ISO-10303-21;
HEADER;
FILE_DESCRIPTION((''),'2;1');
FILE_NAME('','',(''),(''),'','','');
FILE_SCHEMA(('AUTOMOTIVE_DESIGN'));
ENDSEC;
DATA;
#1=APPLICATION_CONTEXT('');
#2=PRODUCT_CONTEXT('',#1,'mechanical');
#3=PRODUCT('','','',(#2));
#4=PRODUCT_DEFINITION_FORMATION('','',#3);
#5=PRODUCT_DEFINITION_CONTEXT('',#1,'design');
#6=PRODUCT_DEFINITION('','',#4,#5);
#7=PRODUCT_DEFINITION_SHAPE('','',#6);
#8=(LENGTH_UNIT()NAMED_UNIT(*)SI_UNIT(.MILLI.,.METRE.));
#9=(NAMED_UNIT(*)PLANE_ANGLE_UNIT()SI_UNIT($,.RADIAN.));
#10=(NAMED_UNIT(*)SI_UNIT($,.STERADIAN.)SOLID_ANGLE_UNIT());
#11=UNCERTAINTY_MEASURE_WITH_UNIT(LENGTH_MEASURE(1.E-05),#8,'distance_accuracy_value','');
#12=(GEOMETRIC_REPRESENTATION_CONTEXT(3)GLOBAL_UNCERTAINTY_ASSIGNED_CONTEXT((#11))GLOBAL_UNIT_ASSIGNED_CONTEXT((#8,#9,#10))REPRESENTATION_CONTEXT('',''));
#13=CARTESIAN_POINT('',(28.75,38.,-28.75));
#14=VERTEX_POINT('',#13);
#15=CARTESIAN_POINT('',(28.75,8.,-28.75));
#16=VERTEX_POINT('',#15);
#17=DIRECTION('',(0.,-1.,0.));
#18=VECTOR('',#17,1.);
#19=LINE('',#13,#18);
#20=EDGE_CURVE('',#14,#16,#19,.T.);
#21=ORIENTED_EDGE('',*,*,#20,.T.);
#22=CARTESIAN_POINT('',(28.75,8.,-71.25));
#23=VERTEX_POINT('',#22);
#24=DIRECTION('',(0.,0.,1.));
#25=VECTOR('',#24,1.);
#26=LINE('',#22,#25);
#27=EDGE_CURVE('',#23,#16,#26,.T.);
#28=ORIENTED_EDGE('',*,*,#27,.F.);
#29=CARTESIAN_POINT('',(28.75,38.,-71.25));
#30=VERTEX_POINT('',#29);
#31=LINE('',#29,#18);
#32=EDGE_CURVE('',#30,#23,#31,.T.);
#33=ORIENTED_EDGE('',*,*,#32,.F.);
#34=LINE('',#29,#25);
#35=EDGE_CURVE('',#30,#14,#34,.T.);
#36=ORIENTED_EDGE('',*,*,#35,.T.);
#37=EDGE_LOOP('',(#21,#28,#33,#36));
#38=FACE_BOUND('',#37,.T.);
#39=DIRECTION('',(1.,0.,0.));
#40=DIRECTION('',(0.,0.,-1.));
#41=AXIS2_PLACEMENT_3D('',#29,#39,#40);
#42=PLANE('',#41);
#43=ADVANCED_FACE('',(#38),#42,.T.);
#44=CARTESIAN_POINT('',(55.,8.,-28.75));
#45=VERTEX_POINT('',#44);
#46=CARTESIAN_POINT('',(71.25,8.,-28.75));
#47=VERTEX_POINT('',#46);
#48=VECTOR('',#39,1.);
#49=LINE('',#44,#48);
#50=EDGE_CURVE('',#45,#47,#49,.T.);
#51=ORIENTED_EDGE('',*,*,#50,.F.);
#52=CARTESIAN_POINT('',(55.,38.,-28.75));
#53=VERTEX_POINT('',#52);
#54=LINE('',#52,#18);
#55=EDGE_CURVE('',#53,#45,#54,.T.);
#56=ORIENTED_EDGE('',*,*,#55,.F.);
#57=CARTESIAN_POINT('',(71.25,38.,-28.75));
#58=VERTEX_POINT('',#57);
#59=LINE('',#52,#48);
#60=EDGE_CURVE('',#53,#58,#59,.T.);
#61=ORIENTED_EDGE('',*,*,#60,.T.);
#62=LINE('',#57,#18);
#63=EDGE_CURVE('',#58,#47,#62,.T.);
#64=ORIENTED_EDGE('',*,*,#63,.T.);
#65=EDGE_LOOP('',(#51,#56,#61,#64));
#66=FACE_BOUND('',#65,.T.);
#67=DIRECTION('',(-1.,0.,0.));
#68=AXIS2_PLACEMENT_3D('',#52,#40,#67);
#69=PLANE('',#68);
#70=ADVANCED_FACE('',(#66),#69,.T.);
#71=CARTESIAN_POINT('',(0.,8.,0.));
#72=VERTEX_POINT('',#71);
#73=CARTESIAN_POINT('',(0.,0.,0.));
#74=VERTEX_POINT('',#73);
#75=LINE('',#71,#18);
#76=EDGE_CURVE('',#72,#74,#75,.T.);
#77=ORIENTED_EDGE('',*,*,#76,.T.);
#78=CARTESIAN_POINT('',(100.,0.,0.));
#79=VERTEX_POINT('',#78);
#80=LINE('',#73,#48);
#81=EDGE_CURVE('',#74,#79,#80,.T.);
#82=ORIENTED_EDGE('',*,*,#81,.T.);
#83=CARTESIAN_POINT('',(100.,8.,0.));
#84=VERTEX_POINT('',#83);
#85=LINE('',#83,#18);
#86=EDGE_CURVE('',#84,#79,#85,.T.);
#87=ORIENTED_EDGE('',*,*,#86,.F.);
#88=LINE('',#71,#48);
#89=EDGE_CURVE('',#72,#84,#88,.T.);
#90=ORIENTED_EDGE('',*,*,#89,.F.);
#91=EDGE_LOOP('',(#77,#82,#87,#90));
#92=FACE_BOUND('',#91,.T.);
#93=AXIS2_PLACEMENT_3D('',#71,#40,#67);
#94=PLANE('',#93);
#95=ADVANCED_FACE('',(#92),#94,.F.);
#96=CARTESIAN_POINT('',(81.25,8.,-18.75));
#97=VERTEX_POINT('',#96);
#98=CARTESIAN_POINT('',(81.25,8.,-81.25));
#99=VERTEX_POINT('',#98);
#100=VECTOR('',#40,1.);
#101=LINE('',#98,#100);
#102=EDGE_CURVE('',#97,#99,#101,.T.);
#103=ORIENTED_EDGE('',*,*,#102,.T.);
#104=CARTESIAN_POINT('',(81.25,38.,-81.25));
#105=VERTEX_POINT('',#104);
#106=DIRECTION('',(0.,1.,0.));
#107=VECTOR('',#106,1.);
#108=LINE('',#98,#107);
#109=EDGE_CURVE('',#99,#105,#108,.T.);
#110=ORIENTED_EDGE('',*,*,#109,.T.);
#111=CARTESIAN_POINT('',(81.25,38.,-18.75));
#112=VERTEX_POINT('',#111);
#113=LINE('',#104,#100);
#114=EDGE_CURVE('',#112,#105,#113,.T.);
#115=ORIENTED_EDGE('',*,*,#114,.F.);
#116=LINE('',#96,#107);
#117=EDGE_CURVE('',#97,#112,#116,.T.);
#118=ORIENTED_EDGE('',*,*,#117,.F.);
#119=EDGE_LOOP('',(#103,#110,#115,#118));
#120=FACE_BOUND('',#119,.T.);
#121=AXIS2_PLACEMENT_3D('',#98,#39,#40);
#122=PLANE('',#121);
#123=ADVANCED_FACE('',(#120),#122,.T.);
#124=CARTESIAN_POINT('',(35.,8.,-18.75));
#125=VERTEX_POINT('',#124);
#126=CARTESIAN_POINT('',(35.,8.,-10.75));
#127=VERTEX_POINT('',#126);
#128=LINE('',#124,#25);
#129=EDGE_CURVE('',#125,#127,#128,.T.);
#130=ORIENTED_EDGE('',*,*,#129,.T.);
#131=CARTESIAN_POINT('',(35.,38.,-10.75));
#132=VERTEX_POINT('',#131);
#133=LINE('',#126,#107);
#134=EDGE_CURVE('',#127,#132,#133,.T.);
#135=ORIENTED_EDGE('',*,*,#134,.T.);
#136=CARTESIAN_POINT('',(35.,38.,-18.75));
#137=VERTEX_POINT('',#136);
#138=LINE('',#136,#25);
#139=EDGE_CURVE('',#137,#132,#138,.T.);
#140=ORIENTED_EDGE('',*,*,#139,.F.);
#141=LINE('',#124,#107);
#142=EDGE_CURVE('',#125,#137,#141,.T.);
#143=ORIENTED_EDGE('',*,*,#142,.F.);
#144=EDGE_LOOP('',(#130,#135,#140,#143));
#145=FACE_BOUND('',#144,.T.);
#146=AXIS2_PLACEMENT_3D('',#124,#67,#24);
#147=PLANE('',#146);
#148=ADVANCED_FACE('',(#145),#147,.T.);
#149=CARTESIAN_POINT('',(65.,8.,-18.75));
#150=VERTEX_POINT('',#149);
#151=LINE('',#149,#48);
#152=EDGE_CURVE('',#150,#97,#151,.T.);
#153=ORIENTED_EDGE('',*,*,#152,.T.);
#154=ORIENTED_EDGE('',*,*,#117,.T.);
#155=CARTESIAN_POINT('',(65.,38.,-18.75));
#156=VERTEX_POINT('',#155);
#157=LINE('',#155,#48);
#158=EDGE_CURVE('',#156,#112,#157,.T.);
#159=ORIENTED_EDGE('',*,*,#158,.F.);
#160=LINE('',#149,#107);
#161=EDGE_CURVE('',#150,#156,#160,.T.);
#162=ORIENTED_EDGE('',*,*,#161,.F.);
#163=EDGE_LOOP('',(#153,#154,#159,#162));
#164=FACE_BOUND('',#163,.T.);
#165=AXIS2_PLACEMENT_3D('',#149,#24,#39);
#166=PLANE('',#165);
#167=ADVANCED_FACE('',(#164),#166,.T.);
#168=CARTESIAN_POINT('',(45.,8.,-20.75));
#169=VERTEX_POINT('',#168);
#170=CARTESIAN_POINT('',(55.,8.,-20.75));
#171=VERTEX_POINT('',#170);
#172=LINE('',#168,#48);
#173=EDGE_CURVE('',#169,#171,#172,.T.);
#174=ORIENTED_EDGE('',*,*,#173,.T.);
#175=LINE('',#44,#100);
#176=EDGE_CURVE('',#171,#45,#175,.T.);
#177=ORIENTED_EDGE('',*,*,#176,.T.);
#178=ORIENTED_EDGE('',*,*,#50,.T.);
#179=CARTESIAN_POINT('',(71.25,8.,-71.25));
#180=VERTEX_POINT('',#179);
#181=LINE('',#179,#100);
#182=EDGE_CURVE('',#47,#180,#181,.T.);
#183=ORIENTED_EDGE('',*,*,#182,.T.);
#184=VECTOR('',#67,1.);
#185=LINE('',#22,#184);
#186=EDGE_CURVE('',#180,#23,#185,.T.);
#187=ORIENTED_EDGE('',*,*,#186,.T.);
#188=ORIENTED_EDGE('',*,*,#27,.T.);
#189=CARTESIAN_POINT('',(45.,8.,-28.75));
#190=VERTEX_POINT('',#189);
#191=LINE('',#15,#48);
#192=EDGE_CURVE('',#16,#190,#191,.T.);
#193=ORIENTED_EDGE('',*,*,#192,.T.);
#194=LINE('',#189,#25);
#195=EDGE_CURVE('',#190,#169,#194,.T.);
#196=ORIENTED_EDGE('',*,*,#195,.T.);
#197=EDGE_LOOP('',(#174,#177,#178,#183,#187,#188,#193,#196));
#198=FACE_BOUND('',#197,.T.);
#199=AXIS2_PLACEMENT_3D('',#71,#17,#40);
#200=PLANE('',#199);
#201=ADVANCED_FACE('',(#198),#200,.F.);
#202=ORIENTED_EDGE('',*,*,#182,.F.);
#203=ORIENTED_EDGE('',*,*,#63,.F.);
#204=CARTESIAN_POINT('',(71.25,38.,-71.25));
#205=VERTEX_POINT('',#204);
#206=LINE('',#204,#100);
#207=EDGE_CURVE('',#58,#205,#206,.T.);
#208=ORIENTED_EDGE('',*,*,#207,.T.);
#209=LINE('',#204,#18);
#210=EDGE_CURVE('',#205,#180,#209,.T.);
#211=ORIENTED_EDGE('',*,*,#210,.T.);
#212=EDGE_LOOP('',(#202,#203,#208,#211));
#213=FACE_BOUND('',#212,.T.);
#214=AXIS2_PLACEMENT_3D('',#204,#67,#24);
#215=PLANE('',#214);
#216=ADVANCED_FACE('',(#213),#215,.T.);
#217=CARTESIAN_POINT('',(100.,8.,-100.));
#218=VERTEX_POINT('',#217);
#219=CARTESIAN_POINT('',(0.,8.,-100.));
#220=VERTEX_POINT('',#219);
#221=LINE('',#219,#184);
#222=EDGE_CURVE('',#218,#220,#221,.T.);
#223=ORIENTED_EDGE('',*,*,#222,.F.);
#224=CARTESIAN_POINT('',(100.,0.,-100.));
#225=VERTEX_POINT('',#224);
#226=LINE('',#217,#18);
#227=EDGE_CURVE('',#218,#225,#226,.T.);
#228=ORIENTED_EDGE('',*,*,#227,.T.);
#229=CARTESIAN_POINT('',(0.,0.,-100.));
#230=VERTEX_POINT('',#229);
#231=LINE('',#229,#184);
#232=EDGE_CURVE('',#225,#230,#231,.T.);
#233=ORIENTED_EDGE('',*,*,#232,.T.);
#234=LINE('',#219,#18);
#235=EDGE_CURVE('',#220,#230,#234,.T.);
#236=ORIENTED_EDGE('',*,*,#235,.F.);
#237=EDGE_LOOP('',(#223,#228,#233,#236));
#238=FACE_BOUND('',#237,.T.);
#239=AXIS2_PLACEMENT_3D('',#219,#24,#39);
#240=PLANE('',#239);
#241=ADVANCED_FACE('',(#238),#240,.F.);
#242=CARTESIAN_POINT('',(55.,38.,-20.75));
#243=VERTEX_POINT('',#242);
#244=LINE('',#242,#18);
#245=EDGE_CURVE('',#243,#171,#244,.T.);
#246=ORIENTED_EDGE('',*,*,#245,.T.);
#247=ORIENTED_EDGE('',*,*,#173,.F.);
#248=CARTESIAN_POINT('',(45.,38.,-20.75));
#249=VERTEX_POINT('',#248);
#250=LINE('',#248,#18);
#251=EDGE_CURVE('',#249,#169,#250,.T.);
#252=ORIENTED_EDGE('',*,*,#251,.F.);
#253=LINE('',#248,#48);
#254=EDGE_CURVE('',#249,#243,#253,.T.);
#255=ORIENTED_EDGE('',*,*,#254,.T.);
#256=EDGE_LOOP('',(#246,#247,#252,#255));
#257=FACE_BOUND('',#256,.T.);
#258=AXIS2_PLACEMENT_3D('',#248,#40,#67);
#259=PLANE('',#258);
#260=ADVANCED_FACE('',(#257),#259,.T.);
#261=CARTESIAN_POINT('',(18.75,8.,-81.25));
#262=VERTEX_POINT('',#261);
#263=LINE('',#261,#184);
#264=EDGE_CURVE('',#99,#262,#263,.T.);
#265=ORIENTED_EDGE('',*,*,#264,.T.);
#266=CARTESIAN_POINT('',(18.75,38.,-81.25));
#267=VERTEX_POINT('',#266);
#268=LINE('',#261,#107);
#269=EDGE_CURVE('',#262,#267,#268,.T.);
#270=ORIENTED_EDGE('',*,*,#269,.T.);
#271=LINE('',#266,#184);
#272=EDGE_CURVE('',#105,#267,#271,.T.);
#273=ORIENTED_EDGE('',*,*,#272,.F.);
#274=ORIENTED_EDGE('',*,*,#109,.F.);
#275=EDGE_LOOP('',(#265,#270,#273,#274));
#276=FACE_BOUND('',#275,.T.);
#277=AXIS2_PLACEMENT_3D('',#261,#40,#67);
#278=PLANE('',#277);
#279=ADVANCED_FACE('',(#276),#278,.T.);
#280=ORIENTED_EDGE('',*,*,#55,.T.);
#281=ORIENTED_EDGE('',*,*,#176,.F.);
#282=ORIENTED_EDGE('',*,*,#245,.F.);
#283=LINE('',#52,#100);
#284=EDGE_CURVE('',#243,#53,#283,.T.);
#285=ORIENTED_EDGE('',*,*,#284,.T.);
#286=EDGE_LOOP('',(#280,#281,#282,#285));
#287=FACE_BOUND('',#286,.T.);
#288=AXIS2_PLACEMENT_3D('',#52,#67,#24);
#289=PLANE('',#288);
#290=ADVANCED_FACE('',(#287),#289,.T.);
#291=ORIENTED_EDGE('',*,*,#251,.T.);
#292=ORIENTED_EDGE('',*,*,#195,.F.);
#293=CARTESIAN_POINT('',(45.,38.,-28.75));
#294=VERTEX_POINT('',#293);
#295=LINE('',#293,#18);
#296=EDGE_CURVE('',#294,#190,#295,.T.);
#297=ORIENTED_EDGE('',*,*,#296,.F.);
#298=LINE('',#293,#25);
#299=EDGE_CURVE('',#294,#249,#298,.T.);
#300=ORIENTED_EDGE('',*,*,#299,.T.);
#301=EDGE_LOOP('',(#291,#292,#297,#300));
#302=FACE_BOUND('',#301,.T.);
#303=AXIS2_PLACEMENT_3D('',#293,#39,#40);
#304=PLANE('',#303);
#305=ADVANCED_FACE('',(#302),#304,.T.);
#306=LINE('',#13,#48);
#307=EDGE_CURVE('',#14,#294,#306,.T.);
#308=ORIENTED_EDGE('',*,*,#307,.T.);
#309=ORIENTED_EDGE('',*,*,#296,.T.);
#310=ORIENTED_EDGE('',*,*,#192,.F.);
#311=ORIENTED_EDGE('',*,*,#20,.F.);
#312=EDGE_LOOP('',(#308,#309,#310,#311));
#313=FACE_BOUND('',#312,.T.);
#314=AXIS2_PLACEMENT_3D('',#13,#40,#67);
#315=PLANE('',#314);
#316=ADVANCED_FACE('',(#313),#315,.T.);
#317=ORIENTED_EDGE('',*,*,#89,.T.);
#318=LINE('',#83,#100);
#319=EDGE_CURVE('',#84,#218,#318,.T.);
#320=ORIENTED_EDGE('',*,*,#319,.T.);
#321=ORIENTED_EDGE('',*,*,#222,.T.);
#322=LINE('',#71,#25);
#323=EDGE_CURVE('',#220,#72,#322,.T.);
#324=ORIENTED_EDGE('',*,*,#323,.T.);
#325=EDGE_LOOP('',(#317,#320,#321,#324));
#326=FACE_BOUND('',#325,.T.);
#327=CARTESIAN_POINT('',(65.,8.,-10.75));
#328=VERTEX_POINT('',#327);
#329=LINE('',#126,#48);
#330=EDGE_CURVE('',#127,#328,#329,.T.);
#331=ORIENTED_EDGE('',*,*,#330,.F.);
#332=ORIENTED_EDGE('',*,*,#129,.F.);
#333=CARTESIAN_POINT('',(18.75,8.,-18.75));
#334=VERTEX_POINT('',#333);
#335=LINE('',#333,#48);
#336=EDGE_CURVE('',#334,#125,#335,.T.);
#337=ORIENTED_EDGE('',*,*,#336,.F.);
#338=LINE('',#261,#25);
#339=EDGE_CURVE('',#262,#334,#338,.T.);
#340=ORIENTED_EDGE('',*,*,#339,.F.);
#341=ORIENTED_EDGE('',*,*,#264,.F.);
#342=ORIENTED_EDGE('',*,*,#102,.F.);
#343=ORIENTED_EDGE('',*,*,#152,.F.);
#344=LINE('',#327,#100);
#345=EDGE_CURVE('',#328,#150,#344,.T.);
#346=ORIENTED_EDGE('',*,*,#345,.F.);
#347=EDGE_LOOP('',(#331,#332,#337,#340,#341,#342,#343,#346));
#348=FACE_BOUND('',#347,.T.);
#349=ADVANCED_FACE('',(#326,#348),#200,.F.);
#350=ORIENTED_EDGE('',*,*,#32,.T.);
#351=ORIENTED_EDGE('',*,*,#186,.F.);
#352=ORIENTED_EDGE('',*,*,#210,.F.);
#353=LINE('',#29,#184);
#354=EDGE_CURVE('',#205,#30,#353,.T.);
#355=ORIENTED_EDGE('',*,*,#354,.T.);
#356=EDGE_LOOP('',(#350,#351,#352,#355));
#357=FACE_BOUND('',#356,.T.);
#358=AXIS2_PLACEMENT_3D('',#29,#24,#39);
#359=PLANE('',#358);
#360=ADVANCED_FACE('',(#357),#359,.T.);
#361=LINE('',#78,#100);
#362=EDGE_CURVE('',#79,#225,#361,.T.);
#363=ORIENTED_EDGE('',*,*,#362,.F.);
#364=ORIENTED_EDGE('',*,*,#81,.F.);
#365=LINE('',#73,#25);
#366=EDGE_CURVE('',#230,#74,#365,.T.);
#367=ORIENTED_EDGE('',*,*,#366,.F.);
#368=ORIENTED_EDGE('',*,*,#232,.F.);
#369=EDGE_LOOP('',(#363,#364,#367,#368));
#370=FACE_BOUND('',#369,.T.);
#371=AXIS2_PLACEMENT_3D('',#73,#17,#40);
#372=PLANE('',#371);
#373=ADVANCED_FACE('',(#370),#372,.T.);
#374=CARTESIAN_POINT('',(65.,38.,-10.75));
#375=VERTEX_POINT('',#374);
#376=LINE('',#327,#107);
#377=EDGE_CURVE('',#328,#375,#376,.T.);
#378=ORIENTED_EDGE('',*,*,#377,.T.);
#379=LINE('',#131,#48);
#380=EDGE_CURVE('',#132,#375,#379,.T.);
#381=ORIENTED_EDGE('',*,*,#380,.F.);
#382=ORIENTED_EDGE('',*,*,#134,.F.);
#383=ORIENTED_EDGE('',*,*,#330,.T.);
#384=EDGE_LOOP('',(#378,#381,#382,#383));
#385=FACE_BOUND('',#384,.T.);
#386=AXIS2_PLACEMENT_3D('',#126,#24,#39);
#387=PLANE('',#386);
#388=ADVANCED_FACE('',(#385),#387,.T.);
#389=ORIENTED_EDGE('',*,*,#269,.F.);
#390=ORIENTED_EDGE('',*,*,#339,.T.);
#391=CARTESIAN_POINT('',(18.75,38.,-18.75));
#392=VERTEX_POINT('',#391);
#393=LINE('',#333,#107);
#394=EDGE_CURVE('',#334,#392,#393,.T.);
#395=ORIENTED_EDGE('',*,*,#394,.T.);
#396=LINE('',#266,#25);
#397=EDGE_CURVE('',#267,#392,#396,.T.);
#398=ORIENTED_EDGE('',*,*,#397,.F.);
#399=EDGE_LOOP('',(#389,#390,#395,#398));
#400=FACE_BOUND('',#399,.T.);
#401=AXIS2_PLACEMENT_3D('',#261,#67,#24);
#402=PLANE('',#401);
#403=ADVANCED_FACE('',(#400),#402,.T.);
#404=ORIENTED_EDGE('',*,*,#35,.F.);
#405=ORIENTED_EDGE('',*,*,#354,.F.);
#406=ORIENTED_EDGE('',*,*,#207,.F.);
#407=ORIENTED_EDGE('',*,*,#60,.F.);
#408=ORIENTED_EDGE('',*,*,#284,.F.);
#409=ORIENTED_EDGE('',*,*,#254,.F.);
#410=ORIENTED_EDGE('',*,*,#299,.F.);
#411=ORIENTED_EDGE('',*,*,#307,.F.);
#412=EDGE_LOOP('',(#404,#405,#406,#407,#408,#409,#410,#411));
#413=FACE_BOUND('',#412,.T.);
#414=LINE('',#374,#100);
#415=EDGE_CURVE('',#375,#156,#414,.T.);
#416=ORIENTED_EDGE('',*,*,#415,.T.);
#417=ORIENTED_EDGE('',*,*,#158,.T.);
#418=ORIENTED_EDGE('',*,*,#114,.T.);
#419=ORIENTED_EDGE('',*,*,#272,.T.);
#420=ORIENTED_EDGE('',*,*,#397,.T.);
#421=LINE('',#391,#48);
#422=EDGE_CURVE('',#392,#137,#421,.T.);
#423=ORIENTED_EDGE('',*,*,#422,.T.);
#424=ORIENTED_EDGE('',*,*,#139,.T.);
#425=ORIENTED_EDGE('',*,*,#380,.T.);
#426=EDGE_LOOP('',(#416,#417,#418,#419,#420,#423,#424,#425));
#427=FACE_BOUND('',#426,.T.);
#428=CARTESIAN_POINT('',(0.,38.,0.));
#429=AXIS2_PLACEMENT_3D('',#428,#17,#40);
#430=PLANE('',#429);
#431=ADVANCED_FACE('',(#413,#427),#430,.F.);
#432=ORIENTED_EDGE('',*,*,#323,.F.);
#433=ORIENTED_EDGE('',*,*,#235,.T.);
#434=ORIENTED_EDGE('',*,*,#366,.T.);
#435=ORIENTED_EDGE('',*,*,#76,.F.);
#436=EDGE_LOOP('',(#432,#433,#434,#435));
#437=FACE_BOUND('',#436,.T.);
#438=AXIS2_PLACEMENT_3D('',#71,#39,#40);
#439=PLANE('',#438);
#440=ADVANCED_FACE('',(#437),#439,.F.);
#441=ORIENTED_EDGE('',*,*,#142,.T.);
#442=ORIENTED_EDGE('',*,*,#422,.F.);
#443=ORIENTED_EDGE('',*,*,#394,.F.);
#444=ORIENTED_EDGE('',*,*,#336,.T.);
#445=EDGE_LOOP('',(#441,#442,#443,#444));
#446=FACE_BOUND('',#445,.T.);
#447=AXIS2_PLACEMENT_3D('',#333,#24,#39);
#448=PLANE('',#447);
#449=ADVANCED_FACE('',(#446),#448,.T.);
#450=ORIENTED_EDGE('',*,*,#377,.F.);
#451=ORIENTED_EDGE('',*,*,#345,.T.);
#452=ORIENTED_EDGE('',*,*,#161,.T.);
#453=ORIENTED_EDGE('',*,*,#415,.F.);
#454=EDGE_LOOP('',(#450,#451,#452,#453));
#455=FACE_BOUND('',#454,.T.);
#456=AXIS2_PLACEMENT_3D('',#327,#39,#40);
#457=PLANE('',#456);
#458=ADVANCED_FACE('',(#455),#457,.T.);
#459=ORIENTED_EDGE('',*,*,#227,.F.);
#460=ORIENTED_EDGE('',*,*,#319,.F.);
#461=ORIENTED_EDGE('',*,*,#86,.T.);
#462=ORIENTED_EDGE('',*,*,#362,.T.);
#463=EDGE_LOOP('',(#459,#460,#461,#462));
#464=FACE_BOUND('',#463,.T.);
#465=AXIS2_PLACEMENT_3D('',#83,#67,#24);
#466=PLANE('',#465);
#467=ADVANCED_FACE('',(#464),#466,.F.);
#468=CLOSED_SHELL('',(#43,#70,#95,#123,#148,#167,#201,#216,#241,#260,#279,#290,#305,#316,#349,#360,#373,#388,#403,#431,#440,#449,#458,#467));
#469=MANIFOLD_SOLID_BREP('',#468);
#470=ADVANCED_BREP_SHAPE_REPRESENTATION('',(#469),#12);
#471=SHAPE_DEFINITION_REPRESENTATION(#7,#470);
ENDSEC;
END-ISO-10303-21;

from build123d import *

# Parameters (mm, degrees)
IZIM1_W                     = 100
IZIM1_H                     = 100
Y_KSEKLIK_EKSTR_ZYON1_DEPTH = 8
IZIM2_W                     = 100
IZIM2_H                     = 100
Y_KSEKLIK_EKSTR_ZYON2_DEPTH = 30
IZIM3_W                     = 100
IZIM3_H                     = 100
KES_EKSTR_ZYON1_DEPTH       = 30


with BuildPart() as part:
    # Çizim1 → Yükseklik-Ekstrüzyon1 (new body)
    with BuildSketch(Plane(origin=(0, 0, 0), x_dir=(1, 0, 0), z_dir=(0, 1, 0))):
        with Locations((50, 50)):
            Rectangle(IZIM1_W, IZIM1_H)
    extrude(amount=Y_KSEKLIK_EKSTR_ZYON1_DEPTH)

    # Çizim2 → Yükseklik-Ekstrüzyon2 (add)
    with BuildSketch(Plane(origin=(0, 8, 0), x_dir=(1, 0, 0), z_dir=(0, 1, 0))):
        with Locations((50, 50)):
            Rectangle(IZIM2_W, IZIM2_H)
        Polygon((55, 28.75), (71.25, 28.75), (71.25, 71.25), (28.75, 71.25), (28.75, 28.75), (45, 28.75), (45, 20.75), (55, 20.75), align=None, mode=Mode.SUBTRACT)
    extrude(amount=Y_KSEKLIK_EKSTR_ZYON2_DEPTH)

    # Çizim3 → Kes-Ekstrüzyon1 (cut)
    with BuildSketch(Plane(origin=(0, 38, 0), x_dir=(1, 0, 0), z_dir=(0, 1, 0))):
        with Locations((50, 50)):
            Rectangle(IZIM3_W, IZIM3_H)
        Polygon((18.75, 81.25), (81.25, 81.25), (81.25, 18.75), (65, 18.75), (65, 10.75), (35, 10.75), (35, 18.75), (18.75, 18.75), align=None, mode=Mode.SUBTRACT)
    extrude(amount=-KES_EKSTR_ZYON1_DEPTH, mode=Mode.SUBTRACT)


solid = part.part
